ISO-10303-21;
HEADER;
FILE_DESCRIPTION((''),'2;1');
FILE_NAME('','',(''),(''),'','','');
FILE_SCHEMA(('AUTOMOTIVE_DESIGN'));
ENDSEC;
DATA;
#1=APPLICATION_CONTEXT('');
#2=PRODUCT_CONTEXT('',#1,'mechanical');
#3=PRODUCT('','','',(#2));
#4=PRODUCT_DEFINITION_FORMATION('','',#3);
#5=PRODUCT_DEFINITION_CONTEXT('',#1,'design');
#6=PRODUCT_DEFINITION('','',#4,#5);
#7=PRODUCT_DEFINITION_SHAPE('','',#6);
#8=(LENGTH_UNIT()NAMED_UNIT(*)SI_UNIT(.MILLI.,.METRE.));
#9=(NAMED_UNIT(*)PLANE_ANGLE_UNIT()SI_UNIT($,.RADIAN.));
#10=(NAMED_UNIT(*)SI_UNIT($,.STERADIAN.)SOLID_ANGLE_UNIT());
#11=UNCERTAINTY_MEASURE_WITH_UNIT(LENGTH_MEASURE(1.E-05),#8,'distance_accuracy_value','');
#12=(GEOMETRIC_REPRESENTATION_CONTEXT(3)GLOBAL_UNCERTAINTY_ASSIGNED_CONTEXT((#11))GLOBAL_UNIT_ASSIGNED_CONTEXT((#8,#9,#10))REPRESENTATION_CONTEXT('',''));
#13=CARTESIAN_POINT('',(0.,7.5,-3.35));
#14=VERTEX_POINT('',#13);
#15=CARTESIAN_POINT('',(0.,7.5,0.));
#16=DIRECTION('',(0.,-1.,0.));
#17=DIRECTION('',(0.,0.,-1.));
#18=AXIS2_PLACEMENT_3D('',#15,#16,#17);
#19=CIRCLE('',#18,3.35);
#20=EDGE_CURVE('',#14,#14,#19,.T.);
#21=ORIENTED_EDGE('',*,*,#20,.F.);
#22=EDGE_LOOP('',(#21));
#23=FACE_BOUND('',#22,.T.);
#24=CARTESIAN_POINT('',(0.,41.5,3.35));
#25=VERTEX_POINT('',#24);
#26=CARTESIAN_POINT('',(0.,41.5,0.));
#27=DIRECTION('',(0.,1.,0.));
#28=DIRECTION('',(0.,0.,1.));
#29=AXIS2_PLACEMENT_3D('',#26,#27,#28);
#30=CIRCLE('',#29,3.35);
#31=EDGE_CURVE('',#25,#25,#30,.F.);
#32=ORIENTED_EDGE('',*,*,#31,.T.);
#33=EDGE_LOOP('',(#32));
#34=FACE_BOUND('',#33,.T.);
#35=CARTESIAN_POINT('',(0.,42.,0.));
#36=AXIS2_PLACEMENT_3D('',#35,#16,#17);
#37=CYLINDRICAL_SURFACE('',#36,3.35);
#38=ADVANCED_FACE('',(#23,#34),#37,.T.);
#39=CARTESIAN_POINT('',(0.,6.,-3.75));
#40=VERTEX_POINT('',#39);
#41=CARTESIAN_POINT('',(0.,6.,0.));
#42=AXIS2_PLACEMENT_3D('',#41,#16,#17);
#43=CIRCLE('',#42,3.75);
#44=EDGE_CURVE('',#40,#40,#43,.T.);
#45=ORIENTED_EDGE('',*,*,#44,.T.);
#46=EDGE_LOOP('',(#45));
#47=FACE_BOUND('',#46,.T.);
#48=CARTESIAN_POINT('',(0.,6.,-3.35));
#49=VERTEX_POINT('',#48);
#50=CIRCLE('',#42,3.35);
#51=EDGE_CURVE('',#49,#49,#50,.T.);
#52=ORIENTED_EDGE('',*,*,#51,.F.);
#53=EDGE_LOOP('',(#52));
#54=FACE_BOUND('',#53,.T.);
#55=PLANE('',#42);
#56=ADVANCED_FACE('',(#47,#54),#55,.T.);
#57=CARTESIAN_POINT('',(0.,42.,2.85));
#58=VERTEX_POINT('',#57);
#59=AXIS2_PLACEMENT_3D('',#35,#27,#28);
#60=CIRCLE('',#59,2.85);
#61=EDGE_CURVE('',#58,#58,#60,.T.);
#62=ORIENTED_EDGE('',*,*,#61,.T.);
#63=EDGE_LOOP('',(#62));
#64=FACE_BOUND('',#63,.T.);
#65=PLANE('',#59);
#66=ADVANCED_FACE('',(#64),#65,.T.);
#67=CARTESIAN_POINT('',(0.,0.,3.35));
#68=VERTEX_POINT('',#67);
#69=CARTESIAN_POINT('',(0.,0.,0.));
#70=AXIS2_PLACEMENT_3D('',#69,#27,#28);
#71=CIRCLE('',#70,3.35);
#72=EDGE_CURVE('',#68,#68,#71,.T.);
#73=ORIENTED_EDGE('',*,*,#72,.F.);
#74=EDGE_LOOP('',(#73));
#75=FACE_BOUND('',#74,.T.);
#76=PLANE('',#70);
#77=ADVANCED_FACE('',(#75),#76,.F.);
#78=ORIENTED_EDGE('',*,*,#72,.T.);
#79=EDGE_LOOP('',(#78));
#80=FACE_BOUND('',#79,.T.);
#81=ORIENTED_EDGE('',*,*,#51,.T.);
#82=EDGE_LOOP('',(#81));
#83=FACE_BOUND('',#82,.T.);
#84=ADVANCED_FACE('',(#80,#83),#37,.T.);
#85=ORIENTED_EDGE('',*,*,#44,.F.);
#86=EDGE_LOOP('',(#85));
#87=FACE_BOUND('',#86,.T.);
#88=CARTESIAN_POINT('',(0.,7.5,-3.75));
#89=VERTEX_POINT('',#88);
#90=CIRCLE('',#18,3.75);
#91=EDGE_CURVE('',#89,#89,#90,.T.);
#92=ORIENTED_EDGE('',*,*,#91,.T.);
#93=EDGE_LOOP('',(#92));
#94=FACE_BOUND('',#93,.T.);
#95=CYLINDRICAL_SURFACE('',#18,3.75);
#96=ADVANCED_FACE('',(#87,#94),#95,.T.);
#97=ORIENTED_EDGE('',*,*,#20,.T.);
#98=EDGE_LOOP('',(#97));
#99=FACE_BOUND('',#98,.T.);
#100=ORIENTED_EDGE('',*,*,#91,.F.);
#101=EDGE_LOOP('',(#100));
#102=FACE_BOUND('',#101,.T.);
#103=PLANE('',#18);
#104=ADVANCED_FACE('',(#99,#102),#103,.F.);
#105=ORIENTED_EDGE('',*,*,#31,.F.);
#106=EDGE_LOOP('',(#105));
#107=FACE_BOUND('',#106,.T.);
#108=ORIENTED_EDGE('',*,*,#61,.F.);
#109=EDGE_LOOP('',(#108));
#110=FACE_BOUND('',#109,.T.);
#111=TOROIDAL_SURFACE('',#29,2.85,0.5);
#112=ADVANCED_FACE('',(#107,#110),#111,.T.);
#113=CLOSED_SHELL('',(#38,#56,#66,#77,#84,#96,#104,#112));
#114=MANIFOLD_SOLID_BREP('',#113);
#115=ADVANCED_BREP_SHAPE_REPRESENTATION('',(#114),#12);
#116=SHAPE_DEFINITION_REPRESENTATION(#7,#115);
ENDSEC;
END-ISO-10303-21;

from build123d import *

# Parameters (mm, degrees)
SKETCH1_R           = 3.35
BOSS_EXTRUDE1_DEPTH = 42
SKETCH4_R           = 3.75
BOSS_EXTRUDE3_DEPTH = 1.5
FILLET1_R           = 0.5


with BuildPart() as part:
    # Sketch1 → Boss-Extrude1 (new body)
    with BuildSketch(Plane(origin=(0, 0, 0), x_dir=(1, 0, 0), z_dir=(0, 1, 0))):
        with Locations(Location((0, 0, 0), (0, 0, 270))):  # turned: the seam where the file's is
            Circle(SKETCH1_R)
    extrude(amount=BOSS_EXTRUDE1_DEPTH)

    # Sketch4 → Boss-Extrude3 (add)
    with BuildSketch(Plane(origin=(0, 6, 0), x_dir=(-1, 0, 0), z_dir=(0, -1, 0))):
        with Locations(Location((0, 0, 0), (0, 0, 90))):  # turned: the seam where the file's is
            Circle(SKETCH4_R)
    extrude(amount=-BOSS_EXTRUDE3_DEPTH)

    # Fillet1
    fillet1_edges = [part.edges().sort_by_distance(p)[0] for p in [
        (0, 42, -3.35),
    ]]
    fillet(fillet1_edges, radius=FILLET1_R)


solid = part.part
